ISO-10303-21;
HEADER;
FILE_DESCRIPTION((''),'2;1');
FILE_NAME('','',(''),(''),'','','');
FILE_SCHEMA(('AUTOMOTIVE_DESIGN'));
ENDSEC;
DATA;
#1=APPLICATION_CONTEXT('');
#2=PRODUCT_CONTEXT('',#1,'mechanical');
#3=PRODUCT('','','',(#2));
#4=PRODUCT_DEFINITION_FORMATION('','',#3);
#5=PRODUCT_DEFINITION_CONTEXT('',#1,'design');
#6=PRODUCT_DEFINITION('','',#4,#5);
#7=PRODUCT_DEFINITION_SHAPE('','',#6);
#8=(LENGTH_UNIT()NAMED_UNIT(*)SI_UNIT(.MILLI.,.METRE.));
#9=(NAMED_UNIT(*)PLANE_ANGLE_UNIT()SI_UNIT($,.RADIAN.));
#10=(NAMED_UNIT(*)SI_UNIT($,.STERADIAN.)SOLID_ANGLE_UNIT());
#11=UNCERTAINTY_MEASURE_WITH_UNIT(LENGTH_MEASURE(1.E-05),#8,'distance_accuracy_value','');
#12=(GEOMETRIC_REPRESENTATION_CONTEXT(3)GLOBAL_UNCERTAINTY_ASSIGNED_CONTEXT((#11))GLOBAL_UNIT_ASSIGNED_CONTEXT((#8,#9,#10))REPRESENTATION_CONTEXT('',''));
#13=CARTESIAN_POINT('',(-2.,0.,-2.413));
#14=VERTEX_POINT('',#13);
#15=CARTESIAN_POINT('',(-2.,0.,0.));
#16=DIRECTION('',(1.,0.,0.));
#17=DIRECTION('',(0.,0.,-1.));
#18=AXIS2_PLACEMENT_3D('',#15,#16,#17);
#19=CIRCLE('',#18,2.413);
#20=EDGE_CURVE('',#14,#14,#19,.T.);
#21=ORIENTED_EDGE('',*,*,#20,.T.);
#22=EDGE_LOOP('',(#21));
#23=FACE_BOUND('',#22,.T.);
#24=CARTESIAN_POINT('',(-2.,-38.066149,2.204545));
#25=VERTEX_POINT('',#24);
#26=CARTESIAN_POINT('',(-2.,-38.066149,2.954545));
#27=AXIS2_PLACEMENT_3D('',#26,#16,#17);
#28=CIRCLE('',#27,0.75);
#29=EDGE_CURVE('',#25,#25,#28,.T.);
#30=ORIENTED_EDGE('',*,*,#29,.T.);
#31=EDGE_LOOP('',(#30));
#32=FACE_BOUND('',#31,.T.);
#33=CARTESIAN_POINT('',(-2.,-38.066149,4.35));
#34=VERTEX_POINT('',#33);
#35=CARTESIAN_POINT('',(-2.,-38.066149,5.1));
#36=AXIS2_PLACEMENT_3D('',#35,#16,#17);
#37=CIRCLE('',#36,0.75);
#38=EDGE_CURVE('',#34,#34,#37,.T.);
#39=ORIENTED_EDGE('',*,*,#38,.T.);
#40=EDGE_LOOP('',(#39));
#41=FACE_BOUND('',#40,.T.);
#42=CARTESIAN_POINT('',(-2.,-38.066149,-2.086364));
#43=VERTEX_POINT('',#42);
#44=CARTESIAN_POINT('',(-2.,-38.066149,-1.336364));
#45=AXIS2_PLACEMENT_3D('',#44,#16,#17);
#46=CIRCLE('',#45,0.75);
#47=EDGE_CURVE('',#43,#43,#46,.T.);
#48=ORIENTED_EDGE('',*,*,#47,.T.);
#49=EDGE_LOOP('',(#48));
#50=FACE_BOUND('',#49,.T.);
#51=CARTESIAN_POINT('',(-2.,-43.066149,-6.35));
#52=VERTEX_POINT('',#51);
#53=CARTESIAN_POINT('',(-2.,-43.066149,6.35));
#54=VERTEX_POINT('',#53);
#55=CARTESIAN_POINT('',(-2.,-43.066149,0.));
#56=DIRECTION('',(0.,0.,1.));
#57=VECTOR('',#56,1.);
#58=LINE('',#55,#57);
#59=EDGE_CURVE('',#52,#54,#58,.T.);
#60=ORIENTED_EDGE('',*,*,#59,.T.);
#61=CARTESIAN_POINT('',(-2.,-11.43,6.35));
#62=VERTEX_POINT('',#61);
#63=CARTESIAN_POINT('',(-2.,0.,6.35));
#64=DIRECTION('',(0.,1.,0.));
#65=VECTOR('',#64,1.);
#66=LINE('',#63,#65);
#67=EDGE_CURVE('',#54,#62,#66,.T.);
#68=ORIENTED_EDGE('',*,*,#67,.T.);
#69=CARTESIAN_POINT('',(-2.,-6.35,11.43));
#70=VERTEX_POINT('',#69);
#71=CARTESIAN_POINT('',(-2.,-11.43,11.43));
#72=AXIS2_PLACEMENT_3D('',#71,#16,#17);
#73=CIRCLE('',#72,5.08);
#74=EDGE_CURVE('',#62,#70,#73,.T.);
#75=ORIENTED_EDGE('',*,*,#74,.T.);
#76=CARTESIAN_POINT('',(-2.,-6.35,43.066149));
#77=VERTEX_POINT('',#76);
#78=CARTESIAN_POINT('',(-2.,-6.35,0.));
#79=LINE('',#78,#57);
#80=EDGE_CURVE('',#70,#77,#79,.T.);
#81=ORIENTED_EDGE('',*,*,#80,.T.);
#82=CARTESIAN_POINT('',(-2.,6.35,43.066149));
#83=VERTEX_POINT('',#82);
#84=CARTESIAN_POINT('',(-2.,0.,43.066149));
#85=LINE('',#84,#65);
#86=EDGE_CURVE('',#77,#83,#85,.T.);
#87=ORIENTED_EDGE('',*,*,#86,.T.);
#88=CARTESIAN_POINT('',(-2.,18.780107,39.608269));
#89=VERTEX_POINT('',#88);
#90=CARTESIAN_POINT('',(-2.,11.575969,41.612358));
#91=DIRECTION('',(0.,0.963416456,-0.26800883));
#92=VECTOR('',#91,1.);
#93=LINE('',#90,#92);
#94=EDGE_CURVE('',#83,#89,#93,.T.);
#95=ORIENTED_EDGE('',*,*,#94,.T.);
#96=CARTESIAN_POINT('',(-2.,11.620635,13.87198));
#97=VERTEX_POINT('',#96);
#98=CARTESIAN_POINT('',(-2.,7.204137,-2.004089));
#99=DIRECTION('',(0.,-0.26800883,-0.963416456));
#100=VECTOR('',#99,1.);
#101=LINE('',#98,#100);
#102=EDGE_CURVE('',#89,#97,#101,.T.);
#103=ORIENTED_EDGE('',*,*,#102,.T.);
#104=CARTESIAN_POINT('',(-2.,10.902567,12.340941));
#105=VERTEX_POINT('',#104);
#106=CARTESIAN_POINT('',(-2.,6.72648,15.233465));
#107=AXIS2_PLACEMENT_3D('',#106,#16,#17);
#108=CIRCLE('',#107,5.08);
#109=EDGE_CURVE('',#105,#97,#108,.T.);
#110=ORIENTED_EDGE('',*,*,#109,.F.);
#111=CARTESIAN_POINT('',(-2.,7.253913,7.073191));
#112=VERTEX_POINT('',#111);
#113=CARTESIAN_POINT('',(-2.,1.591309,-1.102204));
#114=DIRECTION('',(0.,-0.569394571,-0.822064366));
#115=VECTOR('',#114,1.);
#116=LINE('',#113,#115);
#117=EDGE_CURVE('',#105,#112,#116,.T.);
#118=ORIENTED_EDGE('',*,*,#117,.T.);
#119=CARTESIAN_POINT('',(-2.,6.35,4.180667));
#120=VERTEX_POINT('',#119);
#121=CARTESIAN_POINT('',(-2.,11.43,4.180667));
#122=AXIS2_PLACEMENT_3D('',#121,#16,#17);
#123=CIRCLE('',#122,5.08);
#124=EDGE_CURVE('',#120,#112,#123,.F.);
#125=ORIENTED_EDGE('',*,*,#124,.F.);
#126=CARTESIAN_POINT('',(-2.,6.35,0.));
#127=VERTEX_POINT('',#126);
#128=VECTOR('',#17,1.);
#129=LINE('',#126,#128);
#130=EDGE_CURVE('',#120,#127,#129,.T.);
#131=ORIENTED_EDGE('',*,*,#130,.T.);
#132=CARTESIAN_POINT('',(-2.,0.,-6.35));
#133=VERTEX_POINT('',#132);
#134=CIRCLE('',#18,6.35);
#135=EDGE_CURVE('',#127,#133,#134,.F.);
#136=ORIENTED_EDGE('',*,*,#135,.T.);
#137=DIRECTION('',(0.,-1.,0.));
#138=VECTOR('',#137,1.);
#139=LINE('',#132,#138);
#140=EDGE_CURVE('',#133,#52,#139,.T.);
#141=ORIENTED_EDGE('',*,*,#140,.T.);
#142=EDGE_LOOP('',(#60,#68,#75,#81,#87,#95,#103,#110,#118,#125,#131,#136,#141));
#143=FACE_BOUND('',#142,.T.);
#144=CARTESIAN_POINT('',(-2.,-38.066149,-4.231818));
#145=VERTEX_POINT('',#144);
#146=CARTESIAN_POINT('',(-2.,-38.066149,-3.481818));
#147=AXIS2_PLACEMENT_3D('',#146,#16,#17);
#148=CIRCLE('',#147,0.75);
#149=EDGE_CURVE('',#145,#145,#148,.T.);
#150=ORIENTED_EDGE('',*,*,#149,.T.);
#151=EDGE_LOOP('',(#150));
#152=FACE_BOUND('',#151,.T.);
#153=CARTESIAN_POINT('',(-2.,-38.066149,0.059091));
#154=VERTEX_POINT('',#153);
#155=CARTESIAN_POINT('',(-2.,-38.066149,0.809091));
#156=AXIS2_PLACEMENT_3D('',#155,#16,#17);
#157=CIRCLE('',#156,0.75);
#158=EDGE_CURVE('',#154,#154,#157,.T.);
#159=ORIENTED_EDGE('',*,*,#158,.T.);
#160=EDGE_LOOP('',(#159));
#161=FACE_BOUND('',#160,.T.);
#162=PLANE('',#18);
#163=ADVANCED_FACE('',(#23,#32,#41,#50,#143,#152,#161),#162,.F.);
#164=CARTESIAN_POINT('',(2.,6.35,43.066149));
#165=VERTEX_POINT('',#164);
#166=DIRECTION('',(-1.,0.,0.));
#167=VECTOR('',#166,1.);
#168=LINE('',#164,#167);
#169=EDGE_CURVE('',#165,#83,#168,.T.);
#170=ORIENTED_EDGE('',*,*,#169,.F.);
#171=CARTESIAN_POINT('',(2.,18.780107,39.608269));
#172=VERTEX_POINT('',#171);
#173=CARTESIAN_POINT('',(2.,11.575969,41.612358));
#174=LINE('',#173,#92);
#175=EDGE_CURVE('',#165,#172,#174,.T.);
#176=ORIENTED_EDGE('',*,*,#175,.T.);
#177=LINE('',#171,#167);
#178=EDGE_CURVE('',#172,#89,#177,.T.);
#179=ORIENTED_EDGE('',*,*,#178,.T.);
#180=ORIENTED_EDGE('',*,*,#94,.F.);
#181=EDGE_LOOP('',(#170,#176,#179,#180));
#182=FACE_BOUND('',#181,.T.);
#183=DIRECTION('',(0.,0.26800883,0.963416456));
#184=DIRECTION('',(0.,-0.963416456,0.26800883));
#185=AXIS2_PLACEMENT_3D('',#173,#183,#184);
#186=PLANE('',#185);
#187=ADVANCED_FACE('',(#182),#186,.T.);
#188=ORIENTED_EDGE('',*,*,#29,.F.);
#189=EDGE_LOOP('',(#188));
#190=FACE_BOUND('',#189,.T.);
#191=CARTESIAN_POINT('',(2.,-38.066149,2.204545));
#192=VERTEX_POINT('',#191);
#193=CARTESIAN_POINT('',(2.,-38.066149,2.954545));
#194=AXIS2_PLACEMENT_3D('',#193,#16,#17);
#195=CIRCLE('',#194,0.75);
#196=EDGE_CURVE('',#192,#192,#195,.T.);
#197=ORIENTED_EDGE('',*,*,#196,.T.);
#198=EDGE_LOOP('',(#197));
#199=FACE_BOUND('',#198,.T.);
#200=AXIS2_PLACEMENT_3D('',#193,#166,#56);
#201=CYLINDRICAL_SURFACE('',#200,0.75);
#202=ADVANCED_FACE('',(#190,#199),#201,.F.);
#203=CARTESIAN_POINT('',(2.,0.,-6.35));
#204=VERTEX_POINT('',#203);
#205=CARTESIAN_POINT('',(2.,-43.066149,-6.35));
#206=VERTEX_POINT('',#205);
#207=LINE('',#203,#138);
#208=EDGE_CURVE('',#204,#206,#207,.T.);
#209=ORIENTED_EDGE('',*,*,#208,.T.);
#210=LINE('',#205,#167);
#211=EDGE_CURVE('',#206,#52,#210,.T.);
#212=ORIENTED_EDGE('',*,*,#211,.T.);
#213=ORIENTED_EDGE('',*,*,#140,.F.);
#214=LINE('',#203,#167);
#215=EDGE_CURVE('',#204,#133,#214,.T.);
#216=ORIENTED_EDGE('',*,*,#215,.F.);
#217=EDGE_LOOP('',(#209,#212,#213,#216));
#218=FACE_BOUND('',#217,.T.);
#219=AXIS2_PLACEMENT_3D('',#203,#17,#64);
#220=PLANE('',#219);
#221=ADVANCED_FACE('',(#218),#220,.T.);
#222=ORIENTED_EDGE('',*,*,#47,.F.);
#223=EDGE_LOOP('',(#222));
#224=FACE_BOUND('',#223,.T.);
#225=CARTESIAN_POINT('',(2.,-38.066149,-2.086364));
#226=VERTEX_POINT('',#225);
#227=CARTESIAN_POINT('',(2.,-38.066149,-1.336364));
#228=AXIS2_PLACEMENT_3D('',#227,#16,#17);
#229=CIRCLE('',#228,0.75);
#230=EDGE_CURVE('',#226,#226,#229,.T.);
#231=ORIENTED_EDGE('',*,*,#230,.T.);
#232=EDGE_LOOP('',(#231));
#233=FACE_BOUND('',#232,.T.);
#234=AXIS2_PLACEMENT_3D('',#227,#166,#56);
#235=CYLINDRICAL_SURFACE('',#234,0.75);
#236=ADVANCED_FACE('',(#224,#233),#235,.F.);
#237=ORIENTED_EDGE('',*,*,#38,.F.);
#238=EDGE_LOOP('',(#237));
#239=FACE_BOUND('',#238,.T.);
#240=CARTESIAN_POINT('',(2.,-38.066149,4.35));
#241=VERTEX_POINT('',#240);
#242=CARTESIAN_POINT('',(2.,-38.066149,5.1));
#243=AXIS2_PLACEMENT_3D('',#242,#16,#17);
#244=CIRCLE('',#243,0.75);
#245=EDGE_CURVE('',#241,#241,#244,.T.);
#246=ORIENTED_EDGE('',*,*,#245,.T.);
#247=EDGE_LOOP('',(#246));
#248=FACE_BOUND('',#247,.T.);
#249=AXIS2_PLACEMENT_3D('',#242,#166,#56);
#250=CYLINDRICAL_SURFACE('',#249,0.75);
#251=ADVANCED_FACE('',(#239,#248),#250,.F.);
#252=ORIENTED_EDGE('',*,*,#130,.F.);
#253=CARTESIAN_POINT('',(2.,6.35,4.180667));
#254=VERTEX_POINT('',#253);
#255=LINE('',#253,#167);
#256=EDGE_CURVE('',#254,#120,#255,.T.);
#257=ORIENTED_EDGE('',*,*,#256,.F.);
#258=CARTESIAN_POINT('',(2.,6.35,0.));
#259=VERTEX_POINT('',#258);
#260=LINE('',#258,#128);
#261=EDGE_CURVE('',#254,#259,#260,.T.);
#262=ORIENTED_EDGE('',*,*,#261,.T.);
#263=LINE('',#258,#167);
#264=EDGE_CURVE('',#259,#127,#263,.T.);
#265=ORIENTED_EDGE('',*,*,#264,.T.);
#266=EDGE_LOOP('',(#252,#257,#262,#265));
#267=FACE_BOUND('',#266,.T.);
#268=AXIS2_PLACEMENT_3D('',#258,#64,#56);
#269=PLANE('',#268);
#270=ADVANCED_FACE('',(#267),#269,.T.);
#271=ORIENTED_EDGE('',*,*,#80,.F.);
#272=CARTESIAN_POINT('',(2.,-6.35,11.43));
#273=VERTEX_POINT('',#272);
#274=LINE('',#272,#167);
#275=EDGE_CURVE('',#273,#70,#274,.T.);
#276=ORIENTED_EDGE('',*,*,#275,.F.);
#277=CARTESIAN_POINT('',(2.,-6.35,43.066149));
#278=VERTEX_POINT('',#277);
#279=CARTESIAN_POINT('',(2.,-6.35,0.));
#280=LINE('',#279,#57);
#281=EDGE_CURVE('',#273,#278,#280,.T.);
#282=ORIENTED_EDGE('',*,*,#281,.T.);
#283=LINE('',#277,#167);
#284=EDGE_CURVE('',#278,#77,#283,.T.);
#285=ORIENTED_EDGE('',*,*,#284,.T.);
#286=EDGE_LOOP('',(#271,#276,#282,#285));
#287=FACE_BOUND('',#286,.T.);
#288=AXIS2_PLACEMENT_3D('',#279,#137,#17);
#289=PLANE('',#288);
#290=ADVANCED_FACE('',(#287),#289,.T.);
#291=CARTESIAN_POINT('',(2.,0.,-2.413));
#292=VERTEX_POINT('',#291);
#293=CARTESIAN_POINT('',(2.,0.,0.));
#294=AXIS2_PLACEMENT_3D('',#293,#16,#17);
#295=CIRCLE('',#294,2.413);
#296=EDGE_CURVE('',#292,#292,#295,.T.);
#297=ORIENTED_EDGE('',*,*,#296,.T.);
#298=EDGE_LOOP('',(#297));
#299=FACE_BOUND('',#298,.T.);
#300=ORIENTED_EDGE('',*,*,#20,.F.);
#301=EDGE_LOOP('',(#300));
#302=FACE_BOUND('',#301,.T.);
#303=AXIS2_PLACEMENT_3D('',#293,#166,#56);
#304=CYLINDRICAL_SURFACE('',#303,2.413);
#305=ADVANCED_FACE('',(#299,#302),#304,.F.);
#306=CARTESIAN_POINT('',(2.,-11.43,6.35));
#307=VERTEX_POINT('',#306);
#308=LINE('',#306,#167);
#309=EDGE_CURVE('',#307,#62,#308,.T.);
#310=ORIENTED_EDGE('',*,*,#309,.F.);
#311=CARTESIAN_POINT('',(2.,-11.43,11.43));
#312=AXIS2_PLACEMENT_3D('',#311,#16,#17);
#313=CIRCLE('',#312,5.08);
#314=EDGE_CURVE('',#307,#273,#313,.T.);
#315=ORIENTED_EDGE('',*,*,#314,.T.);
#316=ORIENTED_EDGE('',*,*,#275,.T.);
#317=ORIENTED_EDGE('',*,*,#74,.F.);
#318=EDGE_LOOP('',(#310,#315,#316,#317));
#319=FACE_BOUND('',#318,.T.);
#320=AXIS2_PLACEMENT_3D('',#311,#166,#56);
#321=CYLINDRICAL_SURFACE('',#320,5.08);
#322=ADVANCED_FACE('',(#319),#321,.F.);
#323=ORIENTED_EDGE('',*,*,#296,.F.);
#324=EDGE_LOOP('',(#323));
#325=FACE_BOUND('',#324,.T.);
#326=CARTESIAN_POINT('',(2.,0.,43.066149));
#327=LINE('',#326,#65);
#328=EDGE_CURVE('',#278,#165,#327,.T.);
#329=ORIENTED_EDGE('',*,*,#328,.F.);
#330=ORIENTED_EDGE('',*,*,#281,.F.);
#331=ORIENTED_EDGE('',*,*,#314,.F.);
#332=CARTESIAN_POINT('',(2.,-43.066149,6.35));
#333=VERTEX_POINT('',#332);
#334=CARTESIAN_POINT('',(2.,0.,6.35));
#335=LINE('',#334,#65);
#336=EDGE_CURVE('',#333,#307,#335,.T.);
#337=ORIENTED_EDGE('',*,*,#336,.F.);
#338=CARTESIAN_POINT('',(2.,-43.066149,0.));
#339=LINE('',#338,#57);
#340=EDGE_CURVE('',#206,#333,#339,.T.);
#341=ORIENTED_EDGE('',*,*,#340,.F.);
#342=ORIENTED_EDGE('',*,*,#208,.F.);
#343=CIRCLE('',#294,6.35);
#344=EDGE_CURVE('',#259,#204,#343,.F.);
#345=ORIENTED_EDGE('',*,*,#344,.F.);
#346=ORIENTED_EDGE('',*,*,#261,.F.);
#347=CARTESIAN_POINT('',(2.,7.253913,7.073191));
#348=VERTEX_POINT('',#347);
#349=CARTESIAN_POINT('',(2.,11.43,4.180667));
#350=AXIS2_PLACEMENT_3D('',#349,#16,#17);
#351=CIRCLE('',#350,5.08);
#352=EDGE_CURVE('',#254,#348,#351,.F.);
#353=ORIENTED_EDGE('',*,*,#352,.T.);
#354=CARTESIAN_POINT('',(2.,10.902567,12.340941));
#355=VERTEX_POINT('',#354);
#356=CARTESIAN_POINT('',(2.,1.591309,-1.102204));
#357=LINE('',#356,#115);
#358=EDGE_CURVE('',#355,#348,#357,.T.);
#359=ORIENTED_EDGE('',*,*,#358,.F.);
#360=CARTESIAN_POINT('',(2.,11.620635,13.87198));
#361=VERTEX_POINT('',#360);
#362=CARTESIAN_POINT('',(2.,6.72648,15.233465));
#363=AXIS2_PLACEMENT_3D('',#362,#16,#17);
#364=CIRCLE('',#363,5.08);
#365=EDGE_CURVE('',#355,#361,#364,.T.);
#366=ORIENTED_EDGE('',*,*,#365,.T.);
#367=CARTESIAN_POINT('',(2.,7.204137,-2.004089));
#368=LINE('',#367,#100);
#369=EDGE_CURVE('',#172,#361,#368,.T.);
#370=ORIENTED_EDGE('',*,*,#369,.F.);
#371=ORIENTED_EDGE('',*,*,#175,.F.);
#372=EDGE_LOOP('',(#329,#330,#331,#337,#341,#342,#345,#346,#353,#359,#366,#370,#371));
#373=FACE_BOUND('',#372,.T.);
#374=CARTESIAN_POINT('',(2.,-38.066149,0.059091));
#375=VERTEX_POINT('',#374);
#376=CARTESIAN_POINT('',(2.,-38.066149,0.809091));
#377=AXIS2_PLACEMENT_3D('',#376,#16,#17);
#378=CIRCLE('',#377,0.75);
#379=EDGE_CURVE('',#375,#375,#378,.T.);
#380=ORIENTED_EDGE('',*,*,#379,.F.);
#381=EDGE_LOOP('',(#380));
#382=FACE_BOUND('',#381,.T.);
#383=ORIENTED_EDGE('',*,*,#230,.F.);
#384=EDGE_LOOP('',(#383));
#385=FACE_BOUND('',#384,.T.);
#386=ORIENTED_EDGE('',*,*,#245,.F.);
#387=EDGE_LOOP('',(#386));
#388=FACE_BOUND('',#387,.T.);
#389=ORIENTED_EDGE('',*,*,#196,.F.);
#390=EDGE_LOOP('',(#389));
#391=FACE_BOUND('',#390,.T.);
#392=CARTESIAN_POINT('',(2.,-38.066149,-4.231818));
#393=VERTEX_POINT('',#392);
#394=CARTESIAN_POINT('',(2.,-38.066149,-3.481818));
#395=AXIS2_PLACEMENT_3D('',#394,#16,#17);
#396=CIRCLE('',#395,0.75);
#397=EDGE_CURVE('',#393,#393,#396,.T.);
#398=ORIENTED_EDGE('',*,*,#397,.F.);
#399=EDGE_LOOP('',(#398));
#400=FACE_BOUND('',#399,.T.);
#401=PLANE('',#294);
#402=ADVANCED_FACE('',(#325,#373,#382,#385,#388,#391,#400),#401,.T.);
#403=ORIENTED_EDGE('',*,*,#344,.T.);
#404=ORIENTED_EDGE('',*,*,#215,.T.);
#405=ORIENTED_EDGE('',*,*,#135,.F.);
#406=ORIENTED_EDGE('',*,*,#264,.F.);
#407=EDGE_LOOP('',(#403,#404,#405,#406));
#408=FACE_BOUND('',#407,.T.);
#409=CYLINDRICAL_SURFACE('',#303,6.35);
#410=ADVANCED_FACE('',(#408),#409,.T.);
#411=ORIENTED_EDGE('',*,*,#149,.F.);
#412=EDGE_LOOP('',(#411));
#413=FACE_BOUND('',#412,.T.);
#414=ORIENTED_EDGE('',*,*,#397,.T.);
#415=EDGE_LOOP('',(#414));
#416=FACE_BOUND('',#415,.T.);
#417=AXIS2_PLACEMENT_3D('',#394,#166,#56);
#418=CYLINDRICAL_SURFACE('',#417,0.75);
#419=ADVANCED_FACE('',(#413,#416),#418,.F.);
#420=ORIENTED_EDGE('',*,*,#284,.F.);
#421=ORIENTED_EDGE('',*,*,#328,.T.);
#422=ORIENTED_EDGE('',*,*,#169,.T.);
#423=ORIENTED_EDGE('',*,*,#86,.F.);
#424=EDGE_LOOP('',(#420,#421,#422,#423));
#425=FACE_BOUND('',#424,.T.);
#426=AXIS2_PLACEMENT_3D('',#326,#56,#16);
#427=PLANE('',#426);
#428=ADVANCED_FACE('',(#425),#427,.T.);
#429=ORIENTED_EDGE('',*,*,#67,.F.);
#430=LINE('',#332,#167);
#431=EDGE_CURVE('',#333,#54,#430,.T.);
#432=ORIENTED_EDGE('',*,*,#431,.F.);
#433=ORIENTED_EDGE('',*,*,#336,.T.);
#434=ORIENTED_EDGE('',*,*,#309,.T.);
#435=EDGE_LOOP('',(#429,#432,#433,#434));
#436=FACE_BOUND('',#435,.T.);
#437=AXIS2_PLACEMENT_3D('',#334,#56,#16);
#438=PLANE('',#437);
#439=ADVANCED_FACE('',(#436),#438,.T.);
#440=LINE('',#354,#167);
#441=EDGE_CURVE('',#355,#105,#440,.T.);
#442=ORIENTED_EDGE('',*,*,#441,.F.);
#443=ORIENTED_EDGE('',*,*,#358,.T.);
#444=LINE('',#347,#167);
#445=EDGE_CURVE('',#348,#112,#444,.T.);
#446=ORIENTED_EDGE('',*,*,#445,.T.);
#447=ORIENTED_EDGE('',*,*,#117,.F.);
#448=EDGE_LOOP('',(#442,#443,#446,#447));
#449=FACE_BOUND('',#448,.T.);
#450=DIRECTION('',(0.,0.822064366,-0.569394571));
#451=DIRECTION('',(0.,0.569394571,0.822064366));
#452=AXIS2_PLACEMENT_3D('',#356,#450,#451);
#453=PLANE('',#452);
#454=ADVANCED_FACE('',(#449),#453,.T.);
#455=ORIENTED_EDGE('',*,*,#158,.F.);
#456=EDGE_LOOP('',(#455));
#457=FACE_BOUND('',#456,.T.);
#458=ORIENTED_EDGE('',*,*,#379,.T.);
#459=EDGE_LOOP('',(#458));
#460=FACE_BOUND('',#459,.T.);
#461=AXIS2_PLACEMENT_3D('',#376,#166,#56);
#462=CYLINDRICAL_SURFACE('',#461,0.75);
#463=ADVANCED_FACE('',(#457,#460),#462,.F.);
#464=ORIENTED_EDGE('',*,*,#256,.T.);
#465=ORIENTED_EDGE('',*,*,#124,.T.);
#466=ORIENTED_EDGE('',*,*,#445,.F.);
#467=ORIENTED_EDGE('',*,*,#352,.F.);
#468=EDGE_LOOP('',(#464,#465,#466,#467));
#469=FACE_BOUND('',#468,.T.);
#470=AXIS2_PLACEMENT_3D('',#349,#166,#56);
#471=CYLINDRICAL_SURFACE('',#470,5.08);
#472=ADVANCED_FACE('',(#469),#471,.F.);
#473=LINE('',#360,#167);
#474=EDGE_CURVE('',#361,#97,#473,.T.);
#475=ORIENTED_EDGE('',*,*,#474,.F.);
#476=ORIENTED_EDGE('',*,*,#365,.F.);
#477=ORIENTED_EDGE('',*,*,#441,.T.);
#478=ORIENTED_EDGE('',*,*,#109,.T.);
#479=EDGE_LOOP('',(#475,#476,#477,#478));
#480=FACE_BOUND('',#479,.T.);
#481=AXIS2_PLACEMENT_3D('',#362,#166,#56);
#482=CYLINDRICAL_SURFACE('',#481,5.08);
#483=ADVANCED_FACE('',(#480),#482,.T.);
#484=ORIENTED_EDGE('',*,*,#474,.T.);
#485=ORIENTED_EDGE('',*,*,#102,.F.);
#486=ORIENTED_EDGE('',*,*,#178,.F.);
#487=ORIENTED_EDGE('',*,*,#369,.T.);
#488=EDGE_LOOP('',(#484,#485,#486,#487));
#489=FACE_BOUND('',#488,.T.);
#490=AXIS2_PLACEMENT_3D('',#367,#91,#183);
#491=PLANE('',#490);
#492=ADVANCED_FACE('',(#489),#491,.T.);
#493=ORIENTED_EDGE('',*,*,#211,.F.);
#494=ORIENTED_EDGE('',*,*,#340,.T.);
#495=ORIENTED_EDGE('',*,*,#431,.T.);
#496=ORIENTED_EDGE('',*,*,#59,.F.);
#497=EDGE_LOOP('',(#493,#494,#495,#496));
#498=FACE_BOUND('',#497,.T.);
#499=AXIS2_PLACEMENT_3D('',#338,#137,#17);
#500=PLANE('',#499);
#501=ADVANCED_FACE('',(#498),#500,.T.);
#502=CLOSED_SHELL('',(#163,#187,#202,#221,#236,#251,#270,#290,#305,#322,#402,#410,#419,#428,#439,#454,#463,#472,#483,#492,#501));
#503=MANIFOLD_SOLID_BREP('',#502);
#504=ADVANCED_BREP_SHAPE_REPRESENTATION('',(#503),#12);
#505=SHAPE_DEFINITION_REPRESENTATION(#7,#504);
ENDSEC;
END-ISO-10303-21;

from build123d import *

# Parameters (mm, degrees)
SKETCH1_R           = 2.413
SKETCH1_R_2         = 0.75
BOSS_EXTRUDE1_DEPTH = 2


with BuildPart() as part:
    # Sketch1 → Boss-Extrude1 (new, symmetric)
    with BuildSketch(Plane(origin=(0, 0, 0), x_dir=(0, 0, -1), z_dir=(1, 0, 0))):
        with BuildLine():
            Line((-4.180666535, 6.35), (0, 6.35))
            ThreePointArc((0, 6.35), (4.490128061, 4.490128061), (6.35, 0))
            Line((6.35, 0), (6.35, -43.06614877))
            Line((6.35, -43.06614877), (-6.35, -43.06614877))
            Line((-6.35, -43.06614877), (-6.35, -11.43))
            ThreePointArc((-6.35, -11.43), (-7.837897552, -7.837897552), (-11.43, -6.35))
            Line((-11.43, -6.35), (-43.06614877, -6.35))
            Line((-43.06614877, -6.35), (-43.06614877, 6.35))
            Line((-43.06614877, 6.35), (-39.60826893, 18.780106665))
            Line((-39.60826893, 18.780106665), (-13.871980247, 11.620635214))
            ThreePointArc((-13.871980247, 11.620635214), (-13.07637114, 11.325756262), (-12.340940682, 10.902566601))
            Line((-12.340940682, 10.902566601), (-7.073190955, 7.253913018))
            ThreePointArc((-7.073190955, 7.253913018), (-5.695902182, 6.5812413), (-4.180666535, 6.35))
        make_face()
        Circle(SKETCH1_R, mode=Mode.SUBTRACT)
        with Locations((-5.1, -38.06614877)):
            Circle(SKETCH1_R_2, mode=Mode.SUBTRACT)
        with Locations((-2.954545455, -38.06614877)):
            Circle(SKETCH1_R_2, mode=Mode.SUBTRACT)
        with Locations((-0.809090909, -38.06614877)):
            Circle(SKETCH1_R_2, mode=Mode.SUBTRACT)
        with Locations((1.336363636, -38.06614877)):
            Circle(SKETCH1_R_2, mode=Mode.SUBTRACT)
        with Locations((3.481818182, -38.06614877)):
            Circle(SKETCH1_R_2, mode=Mode.SUBTRACT)
    extrude(amount=BOSS_EXTRUDE1_DEPTH, both=True)


solid = part.part
